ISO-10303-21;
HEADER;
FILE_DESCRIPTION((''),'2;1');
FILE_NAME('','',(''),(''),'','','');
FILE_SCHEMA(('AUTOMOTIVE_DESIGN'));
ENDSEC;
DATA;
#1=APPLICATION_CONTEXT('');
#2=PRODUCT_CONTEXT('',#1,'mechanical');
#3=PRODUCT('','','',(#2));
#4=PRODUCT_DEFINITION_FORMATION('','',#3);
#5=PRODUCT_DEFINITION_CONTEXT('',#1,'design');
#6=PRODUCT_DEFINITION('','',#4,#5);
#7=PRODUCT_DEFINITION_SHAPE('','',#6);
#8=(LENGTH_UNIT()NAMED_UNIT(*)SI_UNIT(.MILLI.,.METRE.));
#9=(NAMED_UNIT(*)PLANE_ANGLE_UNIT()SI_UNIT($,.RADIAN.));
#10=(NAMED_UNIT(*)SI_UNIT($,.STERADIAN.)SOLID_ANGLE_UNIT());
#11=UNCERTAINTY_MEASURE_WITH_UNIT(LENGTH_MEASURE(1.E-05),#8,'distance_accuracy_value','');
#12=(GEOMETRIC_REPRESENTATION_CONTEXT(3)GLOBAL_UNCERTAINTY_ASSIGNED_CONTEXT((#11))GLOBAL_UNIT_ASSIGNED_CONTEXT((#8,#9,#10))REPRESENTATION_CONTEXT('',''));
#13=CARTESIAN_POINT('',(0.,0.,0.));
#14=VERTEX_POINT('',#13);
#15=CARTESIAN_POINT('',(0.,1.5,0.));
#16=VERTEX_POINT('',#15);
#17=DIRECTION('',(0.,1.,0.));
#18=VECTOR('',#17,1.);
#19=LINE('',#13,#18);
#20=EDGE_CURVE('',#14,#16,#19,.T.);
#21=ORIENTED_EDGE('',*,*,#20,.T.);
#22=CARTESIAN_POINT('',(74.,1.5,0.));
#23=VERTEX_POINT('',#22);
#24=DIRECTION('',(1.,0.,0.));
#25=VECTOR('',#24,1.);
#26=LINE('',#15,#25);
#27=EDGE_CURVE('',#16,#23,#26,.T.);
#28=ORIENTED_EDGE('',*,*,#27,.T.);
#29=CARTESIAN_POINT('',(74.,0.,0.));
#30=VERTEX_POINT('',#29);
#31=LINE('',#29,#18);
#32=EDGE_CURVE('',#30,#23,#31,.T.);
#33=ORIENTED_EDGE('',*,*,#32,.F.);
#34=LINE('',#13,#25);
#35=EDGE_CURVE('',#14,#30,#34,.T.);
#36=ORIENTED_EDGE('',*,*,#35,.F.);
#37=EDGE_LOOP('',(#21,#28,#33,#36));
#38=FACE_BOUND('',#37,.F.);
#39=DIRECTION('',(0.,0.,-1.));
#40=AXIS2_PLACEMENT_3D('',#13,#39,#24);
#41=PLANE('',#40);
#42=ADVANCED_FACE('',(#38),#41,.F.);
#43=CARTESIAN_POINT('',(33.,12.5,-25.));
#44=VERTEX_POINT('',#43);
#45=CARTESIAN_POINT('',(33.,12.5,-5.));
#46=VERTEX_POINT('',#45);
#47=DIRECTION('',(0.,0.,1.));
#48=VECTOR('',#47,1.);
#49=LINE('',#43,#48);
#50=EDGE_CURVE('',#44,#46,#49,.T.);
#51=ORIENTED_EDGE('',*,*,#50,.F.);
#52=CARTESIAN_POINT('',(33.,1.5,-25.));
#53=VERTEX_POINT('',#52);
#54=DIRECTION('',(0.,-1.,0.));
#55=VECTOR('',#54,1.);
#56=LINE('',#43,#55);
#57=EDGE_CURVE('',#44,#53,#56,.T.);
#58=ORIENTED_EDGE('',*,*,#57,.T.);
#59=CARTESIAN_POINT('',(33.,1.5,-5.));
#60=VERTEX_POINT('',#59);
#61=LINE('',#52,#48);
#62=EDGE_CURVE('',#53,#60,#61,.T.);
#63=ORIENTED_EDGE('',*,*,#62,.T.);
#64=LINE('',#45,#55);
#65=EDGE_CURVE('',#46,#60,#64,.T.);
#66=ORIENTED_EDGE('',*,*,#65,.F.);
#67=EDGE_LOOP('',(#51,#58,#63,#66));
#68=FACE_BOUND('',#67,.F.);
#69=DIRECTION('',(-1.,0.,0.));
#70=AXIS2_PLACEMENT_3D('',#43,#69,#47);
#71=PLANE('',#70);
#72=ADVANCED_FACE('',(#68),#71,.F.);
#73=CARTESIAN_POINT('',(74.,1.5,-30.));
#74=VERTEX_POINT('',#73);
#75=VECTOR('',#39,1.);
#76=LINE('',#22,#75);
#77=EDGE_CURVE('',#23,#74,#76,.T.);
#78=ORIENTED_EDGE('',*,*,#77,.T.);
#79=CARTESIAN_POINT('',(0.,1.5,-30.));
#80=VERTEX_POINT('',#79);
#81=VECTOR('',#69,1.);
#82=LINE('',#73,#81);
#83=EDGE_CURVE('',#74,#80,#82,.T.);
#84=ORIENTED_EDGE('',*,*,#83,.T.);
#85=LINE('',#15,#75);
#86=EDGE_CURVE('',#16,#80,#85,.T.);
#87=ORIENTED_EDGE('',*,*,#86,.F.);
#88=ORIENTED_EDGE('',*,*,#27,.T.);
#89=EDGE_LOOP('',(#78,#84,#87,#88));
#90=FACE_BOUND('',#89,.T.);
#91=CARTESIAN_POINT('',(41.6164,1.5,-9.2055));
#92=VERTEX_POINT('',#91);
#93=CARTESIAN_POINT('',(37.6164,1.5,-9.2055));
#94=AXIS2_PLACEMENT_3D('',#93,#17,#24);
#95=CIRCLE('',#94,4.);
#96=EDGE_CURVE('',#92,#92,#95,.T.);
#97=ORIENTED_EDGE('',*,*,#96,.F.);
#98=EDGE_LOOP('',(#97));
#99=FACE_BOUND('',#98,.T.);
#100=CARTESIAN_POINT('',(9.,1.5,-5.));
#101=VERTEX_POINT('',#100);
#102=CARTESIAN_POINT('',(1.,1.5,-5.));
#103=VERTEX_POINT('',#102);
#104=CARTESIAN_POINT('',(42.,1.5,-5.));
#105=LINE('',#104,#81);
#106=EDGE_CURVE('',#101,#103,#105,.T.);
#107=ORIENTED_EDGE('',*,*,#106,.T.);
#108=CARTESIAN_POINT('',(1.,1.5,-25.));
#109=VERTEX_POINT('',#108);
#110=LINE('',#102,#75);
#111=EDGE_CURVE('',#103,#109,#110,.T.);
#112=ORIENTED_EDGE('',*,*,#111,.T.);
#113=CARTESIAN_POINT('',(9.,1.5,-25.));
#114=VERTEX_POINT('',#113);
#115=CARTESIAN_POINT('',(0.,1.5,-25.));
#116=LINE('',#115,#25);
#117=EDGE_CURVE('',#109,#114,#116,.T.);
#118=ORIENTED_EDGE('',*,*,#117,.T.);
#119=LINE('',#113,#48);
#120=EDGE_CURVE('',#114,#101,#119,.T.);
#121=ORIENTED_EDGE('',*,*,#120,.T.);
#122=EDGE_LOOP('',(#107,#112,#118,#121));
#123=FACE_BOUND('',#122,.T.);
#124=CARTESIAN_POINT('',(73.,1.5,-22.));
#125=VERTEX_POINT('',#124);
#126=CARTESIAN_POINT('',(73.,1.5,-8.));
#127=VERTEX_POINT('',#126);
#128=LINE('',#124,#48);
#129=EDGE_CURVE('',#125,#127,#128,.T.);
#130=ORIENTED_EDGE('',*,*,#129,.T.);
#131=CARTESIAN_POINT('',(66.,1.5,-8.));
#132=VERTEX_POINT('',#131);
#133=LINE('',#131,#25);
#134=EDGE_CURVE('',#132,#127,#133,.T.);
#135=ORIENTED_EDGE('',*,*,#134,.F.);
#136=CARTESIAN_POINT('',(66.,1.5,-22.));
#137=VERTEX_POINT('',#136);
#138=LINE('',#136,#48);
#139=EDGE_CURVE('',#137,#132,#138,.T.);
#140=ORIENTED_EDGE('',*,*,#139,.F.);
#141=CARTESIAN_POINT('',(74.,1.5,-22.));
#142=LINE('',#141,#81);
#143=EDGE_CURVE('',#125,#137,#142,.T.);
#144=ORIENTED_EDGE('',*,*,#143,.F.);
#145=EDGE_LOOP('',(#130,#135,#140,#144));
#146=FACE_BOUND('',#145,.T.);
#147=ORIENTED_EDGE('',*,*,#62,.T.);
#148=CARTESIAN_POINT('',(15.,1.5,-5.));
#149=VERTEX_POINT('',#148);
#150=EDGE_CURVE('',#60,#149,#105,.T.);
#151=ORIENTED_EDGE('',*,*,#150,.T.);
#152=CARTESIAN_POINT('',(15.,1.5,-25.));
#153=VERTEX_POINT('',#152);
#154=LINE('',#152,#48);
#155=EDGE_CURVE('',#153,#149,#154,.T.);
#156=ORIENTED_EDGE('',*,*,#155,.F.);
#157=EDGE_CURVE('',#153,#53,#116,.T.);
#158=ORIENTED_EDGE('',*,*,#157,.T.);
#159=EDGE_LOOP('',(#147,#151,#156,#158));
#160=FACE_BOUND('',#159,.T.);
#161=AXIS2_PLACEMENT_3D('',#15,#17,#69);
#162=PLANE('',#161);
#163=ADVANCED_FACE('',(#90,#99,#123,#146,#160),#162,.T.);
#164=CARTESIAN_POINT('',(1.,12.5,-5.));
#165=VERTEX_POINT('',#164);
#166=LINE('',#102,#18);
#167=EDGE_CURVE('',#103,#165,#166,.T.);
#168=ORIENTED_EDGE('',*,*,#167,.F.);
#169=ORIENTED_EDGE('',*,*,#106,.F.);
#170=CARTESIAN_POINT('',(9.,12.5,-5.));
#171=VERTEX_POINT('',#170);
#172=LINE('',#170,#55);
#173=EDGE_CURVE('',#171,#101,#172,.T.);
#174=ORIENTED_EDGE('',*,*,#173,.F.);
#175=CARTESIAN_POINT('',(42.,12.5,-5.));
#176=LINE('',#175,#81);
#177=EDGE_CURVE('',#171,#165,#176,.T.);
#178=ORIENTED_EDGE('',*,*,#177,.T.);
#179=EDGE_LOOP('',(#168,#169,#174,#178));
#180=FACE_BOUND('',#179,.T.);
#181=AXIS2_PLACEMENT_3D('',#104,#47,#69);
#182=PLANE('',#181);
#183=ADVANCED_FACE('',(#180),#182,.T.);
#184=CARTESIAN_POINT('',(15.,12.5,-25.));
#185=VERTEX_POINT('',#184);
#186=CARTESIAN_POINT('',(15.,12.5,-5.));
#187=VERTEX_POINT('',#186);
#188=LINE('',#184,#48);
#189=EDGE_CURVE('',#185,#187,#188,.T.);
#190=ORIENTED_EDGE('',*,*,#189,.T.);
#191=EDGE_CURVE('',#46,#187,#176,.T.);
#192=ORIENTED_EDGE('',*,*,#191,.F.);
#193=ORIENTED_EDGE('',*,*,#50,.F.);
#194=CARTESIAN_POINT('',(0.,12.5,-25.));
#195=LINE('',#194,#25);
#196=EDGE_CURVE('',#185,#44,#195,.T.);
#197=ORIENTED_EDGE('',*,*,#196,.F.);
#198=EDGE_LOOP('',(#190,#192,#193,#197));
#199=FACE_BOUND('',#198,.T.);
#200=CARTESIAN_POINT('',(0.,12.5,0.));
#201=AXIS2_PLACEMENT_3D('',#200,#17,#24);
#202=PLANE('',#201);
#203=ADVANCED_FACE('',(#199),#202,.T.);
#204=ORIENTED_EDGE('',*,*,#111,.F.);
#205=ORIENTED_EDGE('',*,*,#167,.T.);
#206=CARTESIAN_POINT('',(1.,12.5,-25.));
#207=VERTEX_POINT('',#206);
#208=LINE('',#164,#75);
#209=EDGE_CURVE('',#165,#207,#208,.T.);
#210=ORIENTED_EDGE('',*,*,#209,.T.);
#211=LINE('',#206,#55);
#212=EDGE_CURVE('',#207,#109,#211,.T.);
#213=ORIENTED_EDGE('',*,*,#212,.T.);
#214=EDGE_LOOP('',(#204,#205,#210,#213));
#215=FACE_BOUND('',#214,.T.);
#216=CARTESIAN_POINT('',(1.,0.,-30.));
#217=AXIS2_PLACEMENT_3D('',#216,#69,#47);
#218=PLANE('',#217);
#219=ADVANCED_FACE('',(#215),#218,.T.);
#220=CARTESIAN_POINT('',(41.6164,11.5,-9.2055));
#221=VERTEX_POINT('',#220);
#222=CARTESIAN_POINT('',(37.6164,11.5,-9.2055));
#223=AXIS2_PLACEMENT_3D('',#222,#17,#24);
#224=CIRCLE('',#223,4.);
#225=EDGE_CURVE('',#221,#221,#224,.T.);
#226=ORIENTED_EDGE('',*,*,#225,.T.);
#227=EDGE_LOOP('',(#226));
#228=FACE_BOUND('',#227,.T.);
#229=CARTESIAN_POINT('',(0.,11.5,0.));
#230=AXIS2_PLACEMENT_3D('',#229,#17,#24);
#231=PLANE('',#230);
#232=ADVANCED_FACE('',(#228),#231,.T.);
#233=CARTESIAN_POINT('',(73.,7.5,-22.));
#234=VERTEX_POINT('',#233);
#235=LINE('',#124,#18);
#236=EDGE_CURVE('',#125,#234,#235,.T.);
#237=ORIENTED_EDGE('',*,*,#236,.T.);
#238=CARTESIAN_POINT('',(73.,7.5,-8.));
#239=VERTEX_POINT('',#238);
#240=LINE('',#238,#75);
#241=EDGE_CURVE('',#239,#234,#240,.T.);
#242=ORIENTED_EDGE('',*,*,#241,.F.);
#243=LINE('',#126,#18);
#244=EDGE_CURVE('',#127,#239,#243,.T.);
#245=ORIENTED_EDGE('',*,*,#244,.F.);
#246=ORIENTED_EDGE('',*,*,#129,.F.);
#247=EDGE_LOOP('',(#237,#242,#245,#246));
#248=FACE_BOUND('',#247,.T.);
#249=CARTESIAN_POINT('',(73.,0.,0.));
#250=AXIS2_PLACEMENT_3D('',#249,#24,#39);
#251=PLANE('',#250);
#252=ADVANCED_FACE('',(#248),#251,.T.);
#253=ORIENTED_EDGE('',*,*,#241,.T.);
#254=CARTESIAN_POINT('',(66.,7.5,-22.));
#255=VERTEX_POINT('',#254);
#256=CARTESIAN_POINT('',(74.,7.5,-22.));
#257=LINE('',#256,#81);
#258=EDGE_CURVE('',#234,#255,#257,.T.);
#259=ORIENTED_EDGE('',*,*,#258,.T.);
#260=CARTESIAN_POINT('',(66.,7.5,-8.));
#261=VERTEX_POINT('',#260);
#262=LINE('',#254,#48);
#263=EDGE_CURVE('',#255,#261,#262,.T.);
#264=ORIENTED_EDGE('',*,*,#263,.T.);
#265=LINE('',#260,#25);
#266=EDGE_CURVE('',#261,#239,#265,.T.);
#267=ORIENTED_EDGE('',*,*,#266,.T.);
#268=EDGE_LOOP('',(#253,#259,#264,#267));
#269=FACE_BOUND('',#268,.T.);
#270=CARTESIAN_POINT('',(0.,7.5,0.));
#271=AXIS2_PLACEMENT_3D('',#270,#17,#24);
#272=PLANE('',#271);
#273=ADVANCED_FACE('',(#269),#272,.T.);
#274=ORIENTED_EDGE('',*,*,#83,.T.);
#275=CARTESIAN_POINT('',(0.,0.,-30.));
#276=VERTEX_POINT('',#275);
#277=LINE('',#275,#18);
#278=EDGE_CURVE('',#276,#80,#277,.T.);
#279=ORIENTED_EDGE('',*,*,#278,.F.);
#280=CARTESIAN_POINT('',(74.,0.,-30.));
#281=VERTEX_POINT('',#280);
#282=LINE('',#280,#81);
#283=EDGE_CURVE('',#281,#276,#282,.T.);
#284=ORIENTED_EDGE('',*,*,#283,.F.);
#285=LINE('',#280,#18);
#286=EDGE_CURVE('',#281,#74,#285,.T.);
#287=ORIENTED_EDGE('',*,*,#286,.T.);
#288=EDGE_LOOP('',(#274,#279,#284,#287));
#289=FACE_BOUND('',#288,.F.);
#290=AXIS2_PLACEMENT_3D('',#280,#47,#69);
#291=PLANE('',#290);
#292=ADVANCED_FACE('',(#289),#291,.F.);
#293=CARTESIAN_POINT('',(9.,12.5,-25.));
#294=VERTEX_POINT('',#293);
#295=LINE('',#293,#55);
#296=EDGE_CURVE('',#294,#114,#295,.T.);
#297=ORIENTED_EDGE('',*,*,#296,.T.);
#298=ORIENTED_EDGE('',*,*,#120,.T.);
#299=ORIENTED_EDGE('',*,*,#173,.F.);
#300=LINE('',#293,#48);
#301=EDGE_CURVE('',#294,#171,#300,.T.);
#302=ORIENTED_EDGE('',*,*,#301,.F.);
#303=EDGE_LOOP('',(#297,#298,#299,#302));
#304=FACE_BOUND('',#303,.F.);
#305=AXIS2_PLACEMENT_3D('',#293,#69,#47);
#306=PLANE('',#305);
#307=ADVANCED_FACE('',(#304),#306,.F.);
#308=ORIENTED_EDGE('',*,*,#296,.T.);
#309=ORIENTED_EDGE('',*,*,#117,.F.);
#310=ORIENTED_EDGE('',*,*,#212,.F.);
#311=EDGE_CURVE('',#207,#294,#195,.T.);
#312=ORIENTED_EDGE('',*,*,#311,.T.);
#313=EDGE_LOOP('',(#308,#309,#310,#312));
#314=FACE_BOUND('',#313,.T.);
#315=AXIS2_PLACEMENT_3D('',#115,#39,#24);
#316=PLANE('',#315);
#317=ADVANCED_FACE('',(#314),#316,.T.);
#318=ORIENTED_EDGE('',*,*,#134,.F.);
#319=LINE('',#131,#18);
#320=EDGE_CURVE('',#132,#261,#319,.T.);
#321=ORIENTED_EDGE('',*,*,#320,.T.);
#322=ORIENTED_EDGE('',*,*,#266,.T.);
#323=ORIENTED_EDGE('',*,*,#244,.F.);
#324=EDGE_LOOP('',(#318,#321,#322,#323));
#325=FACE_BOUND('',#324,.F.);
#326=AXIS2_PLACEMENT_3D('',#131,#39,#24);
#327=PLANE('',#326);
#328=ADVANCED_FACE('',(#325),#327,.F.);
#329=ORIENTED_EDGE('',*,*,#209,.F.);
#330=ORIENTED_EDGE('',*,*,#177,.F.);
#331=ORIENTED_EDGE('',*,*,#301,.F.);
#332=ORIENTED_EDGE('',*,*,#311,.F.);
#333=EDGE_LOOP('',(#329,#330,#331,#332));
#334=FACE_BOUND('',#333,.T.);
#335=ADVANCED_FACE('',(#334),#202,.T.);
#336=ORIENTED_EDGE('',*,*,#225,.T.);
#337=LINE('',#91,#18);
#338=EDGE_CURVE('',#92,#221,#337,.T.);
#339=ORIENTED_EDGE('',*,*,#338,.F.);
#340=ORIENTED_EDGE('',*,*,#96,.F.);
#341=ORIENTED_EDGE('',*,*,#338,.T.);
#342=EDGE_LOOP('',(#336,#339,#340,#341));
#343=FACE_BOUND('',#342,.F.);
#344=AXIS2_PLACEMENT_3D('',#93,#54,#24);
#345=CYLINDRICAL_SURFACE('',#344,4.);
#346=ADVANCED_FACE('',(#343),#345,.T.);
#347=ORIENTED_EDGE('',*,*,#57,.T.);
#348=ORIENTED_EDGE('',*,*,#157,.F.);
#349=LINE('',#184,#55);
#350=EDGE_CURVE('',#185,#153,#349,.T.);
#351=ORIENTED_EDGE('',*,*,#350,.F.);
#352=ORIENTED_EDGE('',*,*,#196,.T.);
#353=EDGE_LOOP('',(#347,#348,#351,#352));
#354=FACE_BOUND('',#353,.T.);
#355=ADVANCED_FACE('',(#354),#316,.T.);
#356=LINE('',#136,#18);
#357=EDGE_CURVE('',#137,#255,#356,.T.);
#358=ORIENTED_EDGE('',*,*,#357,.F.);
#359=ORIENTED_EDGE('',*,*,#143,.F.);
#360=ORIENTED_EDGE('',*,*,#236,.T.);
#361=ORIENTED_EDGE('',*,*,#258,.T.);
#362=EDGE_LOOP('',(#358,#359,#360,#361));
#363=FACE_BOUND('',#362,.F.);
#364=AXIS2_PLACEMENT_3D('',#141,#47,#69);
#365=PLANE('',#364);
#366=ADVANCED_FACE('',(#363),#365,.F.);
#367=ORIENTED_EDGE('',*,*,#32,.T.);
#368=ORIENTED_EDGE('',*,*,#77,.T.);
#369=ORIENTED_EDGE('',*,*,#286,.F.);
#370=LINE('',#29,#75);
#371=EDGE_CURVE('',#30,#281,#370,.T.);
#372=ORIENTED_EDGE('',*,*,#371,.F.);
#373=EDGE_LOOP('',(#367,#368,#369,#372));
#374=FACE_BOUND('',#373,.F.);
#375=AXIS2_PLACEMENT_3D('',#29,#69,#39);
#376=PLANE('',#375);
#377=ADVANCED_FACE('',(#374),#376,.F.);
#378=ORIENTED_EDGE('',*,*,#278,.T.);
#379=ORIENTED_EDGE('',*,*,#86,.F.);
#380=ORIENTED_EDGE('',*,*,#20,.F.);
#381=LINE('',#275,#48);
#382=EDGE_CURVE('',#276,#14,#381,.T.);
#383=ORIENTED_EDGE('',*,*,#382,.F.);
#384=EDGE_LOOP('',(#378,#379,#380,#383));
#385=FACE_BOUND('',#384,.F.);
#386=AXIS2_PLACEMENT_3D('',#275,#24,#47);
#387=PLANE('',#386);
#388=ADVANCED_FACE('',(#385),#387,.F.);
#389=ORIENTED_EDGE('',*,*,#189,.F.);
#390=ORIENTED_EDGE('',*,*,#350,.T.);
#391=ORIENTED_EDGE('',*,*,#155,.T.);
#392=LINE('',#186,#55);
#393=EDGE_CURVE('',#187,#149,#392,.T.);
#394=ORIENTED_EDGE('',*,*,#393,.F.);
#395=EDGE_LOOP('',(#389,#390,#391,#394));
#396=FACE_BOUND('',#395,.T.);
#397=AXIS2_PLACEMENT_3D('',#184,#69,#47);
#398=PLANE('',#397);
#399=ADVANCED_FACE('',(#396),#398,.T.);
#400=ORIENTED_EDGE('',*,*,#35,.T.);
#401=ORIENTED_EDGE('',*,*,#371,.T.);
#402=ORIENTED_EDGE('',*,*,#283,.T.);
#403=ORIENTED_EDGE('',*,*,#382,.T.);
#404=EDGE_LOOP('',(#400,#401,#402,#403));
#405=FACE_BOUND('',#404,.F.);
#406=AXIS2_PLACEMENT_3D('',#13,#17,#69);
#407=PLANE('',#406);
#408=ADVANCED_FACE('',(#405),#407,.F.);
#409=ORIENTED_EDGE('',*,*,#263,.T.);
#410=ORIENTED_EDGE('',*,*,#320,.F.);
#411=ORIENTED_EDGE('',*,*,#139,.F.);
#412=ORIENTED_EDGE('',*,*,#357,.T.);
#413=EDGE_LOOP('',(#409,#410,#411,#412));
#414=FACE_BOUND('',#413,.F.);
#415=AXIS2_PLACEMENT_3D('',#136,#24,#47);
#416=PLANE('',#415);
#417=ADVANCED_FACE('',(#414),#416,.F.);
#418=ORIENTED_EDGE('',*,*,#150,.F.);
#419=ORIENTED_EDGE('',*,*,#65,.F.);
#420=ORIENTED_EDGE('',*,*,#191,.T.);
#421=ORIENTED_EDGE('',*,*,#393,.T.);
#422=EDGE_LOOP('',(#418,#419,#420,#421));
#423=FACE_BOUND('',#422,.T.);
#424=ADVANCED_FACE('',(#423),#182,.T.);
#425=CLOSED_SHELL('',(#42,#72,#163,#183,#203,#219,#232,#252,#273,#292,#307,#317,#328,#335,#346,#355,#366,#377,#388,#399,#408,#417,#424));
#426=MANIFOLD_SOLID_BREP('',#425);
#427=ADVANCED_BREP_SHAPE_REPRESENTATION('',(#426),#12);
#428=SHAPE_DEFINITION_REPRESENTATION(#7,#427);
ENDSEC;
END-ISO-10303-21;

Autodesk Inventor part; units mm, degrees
ref_plane "YZ Plane" through (0, 0, 0) normal (1, 0, 0) x (0, 1, 0)
ref_plane "XZ Plane" through (0, 0, 0) normal (0, 1, 0) x (-1, 0, 0)
ref_plane "XY Plane" through (0, 0, 0) normal (0, 0, 1) x (1, 0, 0)
sketch "Sketch1" plane through (0, 0, 0) normal (0, 1, 0) x (-1, 0, 0)
  line L0 (0, 0) -> (-74, 0)
  line L1 (-74, 0) -> (-74, -30)
  line L2 (-74, -30) -> (0, -30)
  line L3 (0, -30) -> (0, 0)
  dimension "d0" = 74
  dimension "d1" = 30
extrude "Extrusion1" add sketch "Sketch1" along normal blind 1.5
sketch "Sketch2" plane through (0, 1.5, 0) normal (0, 1, 0) x (1, 0, 0)
  line L0 (0, 0) -> (74, 0) construction
  line L1 (0, 0) -> (0, 5) construction
  line L2 (0, 30) -> (0, 0) construction
  line L3 (0, 30) -> (0, 25) construction
  line L4 (0, 25) -> (42, 25)
  line L5 (42, 25) -> (42, 5)
  line L6 (42, 5) -> (0, 5)
  line L7 (0, 5) -> (0, 25)
  dimension "d4" = 5
  dimension "d5" = 5
  dimension "d6" = 42
extrude "Extrusion2" add sketch "Sketch2" along normal blind 11
sketch "Sketch3" plane through (0, 1.5, 0) normal (0, 1, 0) x (1, 0, 0)
  line L0 (74, 30) -> (0, 30) construction
  line L1 (74, 30) -> (74, 22) construction
  line L2 (74, 0) -> (74, 30) construction
  line L3 (0, 0) -> (74, 0) construction
  line L4 (74, 0) -> (74, 8) construction
  line L5 (74, 22) -> (66, 22)
  line L6 (66, 22) -> (66, 8)
  line L7 (66, 8) -> (74, 8)
  line L8 (74, 8) -> (74, 22)
  dimension "d9" = 8
  dimension "d10" = 8
  dimension "d11" = 8
extrude "Extrusion3" add sketch "Sketch3" along normal blind 6
sketch "Sketch4" plane through (0, 12.5, 0) normal (0, 1, 0) x (1, 0, 0)
  line L0 (0, 25) -> (42, 25) projected
  line L1 (42, 5) -> (0, 5) projected
  line L2 (0, 25) -> (9, 25)
  line L3 (9, 25) -> (9, 5)
  line L4 (9, 5) -> (0, 5)
  line L5 (0, 5) -> (0, 25)
  line L6 (0, 25) -> (32, 25)
  line L7 (32, 25) -> (32, 5)
  line L8 (32, 5) -> (0, 5)
  line L9 (0, 5) -> (0, 25)
  line L10 (32, 25) -> (15, 25)
  line L11 (15, 25) -> (15, 5)
  line L12 (15, 5) -> (32, 5)
  line L13 (32, 5) -> (32, 25)
  point P0 (0, 0)
  dimension "d14" = 9
  dimension "d15" = 32
  dimension "d16" = 17
extrude "Extrusion4" cut sketch "Sketch4" against normal up to surface (11 mm away) contours L0 L11 L1 L3
sketch "Sketch5" plane through (0, 12.5, 0) normal (0, 1, 0) x (1, 0, 0)
  line L0 (15, 5) -> (42, 5) projected
  line L1 (15, 25) -> (33, 25)
  line L2 (33, 25) -> (33, 5)
  line L3 (33, 5) -> (15, 5)
  line L4 (15, 5) -> (15, 25)
  line L5 (42, 25) -> (33, 25)
  line L6 (33, 25) -> (33, 5)
  line L7 (33, 5) -> (42, 5)
  line L8 (42, 5) -> (42, 25)
  point P0 (0, 0)
  dimension "d19" = 18
extrude "Extrusion5" cut sketch "Sketch5" against normal up to surface (11 mm away) contours L2 L5 L8 L0
sketch "Sketch6" plane through (0, 1.5, 0) normal (0, 1, 0) x (1, 0, 0)
  line L0 (0, 25) -> (9, 25) construction
  line L1 (0, 25) -> (42, 25) construction
  line L2 (42, 25) -> (42, 5) construction
  line L3 (42, 5) -> (0, 5) construction
  line L4 (0, 5) -> (0, 25) construction
  circle A0 centre (37.6164, 9.2055) radius 4
  point P0 (0, 0)
  dimension "d22" = 42
  dimension "d23" = 20
  dimension "d24" = 8
extrude "Extrusion6" add sketch "Sketch6" along normal blind 10
sketch "Sketch7" plane through (74, 0, 0) normal (1, 0, 0) x (0, 0, -1)
  point P0 (0, 0)
sketch "Sketch8" plane through (0, 0, -30) normal (-1, 0, 0) x (0, 0, 1)
  line L0 (25, 1.5) -> (25, 12.5) projected
  line L1 (25, 1.5) -> (5, 1.5) projected
  line L2 (25, 12.5) -> (5, 12.5)
  line L3 (5, 12.5) -> (5, 1.5)
  line L4 (5, 1.5) -> (25, 1.5)
  line L5 (25, 1.5) -> (25, 12.5)
  point P0 (30, 0)
extrude "Extrusion7" cut sketch "Sketch8" against normal blind 1
sketch "Sketch9" plane through (74, 0, 0) normal (1, 0, 0) x (0, 0, -1)
  line L0 (8, 1.5) -> (8, 7.5) projected
  line L1 (22, 1.5) -> (22, 7.5) projected
  line L2 (8, 7.5) -> (22, 7.5)
  line L3 (22, 7.5) -> (22, 1.5)
  line L4 (22, 1.5) -> (8, 1.5)
  line L5 (8, 1.5) -> (8, 7.5)
  point P0 (0, 0)
extrude "Extrusion8" cut sketch "Sketch9" against normal blind 1
properties part number "PZEM-00ET"
